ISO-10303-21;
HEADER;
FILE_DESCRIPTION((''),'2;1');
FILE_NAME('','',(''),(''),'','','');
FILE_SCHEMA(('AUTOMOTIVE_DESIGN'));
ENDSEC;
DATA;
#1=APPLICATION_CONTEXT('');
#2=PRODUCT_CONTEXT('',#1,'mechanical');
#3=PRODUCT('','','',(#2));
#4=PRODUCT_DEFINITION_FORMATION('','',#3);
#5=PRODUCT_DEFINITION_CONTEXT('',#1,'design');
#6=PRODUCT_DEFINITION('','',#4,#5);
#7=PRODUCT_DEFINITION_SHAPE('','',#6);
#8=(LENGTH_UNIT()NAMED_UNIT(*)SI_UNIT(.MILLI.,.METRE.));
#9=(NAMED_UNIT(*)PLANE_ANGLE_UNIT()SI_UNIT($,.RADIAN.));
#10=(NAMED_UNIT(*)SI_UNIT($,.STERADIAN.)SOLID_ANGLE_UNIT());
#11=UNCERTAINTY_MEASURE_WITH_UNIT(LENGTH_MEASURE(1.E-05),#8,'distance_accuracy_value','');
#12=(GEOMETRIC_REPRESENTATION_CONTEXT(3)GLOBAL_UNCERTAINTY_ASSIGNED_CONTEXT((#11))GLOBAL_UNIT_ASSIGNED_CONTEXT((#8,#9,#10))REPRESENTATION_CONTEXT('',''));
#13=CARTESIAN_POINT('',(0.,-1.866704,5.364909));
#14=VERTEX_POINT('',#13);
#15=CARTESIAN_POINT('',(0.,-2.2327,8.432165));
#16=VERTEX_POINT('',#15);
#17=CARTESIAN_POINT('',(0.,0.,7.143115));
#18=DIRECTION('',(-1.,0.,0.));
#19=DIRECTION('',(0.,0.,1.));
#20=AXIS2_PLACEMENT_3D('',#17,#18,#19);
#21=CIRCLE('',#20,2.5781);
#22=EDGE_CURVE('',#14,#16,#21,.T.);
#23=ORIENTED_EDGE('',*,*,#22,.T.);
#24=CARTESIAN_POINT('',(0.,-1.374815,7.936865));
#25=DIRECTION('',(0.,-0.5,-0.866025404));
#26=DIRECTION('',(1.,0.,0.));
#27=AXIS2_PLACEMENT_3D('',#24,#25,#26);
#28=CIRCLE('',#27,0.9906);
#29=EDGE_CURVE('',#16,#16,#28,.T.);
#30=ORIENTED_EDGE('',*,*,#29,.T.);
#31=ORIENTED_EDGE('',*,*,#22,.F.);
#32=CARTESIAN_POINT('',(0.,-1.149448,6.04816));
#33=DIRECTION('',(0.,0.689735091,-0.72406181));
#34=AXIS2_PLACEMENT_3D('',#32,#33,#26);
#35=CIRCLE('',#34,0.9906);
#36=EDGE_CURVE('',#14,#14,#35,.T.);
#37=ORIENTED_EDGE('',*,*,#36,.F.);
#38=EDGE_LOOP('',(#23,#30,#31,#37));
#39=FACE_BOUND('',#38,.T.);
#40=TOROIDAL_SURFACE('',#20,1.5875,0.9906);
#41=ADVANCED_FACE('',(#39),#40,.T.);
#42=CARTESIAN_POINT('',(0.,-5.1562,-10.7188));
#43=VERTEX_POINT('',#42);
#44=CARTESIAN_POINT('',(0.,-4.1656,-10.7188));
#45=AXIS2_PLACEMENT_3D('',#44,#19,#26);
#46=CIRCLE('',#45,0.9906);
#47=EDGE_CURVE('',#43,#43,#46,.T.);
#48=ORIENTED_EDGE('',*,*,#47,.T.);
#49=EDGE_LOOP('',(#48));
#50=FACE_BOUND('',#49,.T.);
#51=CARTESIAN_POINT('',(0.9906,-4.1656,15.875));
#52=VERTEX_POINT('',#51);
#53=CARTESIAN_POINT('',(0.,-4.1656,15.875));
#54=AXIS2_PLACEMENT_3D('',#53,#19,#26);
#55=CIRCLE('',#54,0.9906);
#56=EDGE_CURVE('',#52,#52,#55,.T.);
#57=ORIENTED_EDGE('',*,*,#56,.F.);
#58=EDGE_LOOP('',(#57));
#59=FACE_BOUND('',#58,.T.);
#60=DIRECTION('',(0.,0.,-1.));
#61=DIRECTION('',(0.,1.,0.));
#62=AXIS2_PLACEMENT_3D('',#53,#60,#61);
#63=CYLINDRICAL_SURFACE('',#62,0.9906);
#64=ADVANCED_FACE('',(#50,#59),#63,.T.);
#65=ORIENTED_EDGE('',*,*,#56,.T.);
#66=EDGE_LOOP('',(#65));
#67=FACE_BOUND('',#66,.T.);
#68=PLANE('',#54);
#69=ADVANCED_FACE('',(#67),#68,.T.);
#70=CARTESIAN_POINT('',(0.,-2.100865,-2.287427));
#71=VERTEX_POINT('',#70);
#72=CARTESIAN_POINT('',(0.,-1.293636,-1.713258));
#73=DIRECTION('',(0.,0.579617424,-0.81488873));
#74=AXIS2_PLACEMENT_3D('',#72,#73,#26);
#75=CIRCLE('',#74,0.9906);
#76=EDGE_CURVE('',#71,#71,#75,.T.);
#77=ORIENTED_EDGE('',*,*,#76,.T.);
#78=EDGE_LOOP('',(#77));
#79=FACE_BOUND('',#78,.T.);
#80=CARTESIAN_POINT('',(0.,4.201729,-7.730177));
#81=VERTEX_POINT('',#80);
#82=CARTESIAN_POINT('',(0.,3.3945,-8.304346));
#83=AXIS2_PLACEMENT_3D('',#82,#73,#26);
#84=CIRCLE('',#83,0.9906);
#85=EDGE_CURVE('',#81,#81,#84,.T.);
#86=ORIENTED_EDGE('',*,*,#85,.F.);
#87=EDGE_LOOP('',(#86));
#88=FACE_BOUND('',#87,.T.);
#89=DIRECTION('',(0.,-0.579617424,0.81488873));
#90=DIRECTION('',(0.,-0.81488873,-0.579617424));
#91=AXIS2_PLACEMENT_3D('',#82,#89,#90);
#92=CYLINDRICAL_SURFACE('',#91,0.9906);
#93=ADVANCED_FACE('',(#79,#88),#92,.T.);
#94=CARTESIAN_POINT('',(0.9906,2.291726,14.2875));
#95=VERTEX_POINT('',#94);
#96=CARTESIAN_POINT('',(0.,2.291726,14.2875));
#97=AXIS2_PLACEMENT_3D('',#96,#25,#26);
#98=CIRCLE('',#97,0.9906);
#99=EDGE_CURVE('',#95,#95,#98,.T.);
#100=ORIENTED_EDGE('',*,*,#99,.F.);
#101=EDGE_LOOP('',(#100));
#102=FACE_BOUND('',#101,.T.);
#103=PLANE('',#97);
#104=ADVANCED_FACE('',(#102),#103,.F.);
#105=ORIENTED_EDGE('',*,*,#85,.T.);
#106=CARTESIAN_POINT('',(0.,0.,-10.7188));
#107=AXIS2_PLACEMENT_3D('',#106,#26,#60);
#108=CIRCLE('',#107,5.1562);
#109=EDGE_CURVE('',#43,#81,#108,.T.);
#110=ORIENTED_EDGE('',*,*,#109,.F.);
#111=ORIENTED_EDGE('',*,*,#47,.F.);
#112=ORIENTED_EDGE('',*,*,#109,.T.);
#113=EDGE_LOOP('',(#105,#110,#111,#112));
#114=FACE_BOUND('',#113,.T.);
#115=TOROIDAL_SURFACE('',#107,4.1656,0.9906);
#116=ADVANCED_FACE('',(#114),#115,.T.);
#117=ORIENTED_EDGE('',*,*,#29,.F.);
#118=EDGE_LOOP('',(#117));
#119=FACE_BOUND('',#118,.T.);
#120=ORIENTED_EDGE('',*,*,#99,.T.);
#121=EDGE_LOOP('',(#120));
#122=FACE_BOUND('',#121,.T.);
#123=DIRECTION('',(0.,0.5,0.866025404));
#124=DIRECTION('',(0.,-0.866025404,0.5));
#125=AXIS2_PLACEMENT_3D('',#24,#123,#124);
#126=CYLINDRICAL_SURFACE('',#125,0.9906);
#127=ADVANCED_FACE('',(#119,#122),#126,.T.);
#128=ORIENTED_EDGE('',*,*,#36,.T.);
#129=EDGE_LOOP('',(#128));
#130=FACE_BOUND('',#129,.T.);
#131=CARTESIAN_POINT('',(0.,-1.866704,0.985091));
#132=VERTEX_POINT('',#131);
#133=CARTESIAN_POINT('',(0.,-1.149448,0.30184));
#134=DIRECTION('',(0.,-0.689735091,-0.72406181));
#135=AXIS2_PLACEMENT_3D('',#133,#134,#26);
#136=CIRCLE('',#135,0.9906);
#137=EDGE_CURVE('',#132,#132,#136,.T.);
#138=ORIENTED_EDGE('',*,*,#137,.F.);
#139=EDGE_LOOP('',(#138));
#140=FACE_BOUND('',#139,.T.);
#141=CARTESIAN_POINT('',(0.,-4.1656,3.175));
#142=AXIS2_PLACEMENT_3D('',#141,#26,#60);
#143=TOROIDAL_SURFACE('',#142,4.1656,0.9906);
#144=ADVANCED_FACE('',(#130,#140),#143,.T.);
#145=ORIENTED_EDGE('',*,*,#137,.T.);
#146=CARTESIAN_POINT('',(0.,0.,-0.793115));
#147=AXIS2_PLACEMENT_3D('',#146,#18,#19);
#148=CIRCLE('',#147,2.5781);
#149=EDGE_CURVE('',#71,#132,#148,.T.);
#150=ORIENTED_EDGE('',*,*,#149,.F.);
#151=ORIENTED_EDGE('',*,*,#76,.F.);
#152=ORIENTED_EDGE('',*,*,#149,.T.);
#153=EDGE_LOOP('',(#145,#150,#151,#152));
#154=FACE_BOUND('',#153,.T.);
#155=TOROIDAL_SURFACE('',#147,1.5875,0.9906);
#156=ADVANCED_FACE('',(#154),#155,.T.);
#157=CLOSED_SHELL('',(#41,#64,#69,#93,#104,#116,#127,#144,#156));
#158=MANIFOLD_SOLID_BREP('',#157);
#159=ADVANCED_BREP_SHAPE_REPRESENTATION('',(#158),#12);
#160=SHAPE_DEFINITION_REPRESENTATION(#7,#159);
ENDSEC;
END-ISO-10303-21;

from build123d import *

# Parameters (mm, degrees)
SKETCH3_R = 0.9906


with BuildPart() as part:
    # Sweep1: sweep along a path in Sketch4
    with BuildLine(Plane(origin=(0, 0, 0), x_dir=(0, 0, -1), z_dir=(1, 0, 0))) as sweep1_path:
        Line((-14.2875, 2.291725528), (-7.936864949, -1.374815329))
        ThreePointArc((-7.936864949, -1.374815329), (-6.955022883, -1.576317742), (-6.048160493, -1.149448124))
        ThreePointArc((-6.048160493, -1.149448124), (-3.175, 0), (-0.301839507, -1.149448124))
        ThreePointArc((-0.301839507, -1.149448124), (0.679813066, -1.583451589), (1.71325761, -1.293635858))
        Line((1.71325761, -1.293635858), (8.304345659, 3.394500493))
        ThreePointArc((8.304345659, 3.394500493), (14.686945323, 1.267298723), (10.7188, -4.1656))
        Line((10.7188, -4.1656), (-15.875, -4.1656))
    # Sketch3 → Sweep1 (sweep)
    with BuildSketch(Plane.XY.offset(15.875)):
        with Locations((0, -4.1656)):
            Circle(SKETCH3_R)
    sweep(path=sweep1_path.line)


solid = part.part
